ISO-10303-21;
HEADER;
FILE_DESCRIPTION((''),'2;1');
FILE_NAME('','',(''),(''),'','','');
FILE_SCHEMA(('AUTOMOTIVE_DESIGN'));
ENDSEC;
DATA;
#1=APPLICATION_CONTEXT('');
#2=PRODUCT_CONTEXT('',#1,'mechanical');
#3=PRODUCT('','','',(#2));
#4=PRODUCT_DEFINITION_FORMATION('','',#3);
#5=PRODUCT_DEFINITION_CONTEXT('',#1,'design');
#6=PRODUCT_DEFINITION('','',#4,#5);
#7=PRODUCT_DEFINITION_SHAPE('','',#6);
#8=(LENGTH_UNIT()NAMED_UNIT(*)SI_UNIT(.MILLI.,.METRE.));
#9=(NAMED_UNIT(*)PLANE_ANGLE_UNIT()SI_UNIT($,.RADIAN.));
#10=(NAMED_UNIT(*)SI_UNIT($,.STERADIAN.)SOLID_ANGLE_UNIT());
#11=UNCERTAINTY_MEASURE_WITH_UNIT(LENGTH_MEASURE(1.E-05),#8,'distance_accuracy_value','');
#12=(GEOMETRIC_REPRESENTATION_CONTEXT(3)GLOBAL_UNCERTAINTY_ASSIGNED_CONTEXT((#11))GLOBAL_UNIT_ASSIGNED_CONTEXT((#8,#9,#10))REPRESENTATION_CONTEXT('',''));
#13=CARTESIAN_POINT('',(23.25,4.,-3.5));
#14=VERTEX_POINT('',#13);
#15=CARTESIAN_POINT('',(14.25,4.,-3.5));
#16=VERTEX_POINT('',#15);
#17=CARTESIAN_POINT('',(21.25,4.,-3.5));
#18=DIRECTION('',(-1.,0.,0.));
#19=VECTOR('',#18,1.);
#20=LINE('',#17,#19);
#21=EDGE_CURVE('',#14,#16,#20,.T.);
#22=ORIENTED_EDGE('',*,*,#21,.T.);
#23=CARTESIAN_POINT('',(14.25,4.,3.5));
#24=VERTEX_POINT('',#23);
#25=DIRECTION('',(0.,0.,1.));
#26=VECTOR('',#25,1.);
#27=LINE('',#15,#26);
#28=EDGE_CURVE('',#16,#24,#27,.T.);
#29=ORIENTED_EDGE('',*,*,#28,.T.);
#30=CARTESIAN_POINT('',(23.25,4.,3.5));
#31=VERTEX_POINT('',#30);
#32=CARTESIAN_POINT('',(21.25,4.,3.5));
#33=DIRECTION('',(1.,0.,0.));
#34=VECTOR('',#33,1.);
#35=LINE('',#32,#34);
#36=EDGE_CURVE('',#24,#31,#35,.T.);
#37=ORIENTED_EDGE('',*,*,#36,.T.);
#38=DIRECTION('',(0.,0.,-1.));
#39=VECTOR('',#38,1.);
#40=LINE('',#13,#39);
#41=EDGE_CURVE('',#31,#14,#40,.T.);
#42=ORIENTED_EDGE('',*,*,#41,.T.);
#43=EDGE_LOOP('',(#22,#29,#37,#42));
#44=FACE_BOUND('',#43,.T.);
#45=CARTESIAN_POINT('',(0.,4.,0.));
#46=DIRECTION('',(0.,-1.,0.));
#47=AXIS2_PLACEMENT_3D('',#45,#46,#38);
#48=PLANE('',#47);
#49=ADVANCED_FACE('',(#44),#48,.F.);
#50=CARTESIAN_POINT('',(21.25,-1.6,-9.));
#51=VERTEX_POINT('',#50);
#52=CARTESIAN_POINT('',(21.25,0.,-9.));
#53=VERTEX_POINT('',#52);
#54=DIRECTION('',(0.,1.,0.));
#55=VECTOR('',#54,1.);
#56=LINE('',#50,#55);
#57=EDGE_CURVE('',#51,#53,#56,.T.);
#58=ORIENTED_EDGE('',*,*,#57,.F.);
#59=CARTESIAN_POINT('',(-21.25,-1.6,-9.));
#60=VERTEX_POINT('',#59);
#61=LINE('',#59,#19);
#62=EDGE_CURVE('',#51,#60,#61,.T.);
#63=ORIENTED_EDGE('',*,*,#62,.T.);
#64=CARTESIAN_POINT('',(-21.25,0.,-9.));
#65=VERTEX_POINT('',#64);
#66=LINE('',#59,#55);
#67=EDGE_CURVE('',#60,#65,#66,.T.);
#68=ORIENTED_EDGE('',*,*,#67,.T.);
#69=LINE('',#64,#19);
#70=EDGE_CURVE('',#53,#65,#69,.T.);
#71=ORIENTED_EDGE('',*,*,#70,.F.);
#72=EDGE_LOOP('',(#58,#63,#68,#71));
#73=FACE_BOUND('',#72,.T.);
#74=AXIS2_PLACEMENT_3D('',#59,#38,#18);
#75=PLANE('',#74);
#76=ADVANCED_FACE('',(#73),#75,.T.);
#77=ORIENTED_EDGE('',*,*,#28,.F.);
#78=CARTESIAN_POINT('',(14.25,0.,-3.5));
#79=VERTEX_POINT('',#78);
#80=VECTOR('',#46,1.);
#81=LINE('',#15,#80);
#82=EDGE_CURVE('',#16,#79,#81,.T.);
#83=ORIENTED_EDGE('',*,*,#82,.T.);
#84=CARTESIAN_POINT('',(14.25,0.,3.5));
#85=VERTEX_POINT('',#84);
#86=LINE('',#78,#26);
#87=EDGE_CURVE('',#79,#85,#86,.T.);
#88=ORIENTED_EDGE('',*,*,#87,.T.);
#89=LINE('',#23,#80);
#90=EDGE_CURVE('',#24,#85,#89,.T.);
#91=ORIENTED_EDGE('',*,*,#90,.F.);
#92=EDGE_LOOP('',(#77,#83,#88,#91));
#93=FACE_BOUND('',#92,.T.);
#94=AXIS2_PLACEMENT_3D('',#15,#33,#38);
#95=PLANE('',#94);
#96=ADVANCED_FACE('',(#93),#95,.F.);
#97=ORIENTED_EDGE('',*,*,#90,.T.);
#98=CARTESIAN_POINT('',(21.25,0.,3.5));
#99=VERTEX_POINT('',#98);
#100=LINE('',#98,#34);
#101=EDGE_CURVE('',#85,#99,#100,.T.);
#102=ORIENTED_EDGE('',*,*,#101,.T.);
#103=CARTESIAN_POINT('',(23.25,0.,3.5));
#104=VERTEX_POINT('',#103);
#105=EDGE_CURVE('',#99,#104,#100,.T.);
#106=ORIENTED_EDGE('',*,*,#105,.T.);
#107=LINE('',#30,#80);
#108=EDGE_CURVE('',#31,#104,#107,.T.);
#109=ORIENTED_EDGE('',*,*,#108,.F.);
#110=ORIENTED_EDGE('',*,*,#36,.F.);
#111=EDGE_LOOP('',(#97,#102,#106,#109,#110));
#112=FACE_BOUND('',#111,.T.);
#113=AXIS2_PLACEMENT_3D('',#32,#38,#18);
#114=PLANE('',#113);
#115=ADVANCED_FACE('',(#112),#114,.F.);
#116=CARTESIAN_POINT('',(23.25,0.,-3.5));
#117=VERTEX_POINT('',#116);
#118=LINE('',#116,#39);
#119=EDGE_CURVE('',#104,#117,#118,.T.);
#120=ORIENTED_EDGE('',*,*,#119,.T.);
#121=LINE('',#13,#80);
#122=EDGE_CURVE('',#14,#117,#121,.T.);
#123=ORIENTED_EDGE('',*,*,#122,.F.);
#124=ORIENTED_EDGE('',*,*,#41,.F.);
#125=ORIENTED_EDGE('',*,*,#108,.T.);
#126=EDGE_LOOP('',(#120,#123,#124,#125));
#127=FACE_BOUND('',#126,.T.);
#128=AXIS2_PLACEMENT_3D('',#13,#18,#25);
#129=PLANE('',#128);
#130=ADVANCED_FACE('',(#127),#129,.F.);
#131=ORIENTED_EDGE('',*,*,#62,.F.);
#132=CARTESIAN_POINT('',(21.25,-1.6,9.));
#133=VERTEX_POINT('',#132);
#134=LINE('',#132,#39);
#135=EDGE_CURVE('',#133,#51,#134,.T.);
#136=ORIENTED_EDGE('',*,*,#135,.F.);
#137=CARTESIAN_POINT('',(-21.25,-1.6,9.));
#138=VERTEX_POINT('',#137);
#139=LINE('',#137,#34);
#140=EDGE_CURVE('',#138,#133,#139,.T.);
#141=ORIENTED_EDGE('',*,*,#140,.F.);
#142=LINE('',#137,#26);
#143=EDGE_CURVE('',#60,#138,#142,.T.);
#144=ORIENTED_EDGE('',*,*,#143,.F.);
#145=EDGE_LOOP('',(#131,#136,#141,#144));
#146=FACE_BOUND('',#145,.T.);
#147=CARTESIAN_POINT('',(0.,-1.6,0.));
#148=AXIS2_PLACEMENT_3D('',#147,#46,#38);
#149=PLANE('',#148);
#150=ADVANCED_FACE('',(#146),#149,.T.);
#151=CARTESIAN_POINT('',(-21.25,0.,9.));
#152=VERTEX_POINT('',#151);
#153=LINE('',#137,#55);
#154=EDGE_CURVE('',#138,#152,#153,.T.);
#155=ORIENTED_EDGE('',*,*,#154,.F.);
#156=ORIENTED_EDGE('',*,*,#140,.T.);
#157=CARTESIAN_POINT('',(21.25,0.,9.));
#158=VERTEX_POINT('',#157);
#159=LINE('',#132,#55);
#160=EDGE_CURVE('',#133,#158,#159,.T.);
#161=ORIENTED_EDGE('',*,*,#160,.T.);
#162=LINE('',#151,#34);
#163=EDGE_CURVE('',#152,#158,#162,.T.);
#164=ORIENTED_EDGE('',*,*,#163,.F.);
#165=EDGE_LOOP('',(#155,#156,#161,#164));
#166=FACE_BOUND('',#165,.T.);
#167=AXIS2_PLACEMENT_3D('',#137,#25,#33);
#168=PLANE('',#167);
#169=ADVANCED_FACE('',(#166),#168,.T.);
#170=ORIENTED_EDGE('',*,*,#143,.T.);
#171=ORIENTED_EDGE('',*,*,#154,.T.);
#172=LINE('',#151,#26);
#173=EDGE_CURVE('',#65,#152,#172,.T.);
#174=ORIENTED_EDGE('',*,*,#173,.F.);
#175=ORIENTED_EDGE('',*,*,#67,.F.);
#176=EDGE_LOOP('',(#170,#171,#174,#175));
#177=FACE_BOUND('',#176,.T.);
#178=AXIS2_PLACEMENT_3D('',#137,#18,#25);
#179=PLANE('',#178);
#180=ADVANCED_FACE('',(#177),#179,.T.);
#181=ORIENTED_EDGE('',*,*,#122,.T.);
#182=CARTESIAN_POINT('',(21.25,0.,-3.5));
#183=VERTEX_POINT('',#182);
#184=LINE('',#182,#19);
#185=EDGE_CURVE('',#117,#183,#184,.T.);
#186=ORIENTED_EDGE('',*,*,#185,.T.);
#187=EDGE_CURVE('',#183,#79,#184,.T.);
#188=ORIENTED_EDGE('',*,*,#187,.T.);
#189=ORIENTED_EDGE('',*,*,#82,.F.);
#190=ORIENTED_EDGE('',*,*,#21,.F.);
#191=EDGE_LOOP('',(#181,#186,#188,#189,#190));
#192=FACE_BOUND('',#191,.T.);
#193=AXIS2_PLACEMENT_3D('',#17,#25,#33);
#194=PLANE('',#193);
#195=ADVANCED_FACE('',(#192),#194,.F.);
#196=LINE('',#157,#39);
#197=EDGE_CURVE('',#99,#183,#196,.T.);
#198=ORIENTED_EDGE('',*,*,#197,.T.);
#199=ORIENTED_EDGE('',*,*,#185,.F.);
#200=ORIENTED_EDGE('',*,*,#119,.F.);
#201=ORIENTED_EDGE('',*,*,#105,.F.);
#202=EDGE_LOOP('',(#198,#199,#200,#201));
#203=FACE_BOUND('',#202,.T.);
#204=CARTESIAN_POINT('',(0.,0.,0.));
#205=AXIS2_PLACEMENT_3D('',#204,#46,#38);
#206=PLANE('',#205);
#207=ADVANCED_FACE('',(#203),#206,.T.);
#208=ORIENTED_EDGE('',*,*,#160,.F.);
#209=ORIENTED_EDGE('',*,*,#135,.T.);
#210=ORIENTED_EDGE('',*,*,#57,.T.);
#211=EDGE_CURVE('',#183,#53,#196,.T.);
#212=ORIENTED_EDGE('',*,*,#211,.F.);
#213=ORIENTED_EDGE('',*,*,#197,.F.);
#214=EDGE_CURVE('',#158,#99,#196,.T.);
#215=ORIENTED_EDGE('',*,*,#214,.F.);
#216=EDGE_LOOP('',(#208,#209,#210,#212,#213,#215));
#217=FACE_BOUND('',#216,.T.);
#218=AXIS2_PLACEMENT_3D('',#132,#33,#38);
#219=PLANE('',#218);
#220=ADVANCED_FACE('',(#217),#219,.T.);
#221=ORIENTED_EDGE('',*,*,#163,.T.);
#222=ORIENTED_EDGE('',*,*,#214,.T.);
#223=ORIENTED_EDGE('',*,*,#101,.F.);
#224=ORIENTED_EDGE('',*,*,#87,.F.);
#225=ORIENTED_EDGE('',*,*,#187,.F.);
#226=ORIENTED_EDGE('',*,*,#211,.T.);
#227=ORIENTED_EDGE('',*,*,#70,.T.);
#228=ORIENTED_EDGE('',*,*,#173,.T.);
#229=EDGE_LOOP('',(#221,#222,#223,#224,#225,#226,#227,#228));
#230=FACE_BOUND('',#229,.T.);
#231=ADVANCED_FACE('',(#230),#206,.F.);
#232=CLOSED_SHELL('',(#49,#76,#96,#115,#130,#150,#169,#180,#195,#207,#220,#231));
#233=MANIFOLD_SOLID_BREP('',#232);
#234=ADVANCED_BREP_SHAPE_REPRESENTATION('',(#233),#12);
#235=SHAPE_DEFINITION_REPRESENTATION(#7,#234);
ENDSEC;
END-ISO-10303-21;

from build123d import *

# Parameters (mm, degrees)
ESBO_O1_W                = 42.5
ESBO_O1_H                = 18
RESSALTO_EXTRUS_O1_DEPTH = 1.6
RESSALTO_EXTRUS_O2_DEPTH = 4


with BuildPart() as part:
    # Esboço1 → Ressalto-extrusão1 (new body)
    with BuildSketch(Plane(origin=(0, 0, 0), x_dir=(1, 0, 0), z_dir=(0, 1, 0))):
        Rectangle(ESBO_O1_W, ESBO_O1_H)
    extrude(amount=-RESSALTO_EXTRUS_O1_DEPTH)

    # Esboço2 → Ressalto-extrusão2 (add)
    with BuildSketch(Plane(origin=(0, 0, 0), x_dir=(1, 0, 0), z_dir=(0, 1, 0))):
        Polygon((21.25, 3.5), (23.25, 3.5), (23.25, -3.5), (21.25, -3.5), (14.25, -3.5), (14.25, 3.5), align=None)
    extrude(amount=RESSALTO_EXTRUS_O2_DEPTH)


solid = part.part
